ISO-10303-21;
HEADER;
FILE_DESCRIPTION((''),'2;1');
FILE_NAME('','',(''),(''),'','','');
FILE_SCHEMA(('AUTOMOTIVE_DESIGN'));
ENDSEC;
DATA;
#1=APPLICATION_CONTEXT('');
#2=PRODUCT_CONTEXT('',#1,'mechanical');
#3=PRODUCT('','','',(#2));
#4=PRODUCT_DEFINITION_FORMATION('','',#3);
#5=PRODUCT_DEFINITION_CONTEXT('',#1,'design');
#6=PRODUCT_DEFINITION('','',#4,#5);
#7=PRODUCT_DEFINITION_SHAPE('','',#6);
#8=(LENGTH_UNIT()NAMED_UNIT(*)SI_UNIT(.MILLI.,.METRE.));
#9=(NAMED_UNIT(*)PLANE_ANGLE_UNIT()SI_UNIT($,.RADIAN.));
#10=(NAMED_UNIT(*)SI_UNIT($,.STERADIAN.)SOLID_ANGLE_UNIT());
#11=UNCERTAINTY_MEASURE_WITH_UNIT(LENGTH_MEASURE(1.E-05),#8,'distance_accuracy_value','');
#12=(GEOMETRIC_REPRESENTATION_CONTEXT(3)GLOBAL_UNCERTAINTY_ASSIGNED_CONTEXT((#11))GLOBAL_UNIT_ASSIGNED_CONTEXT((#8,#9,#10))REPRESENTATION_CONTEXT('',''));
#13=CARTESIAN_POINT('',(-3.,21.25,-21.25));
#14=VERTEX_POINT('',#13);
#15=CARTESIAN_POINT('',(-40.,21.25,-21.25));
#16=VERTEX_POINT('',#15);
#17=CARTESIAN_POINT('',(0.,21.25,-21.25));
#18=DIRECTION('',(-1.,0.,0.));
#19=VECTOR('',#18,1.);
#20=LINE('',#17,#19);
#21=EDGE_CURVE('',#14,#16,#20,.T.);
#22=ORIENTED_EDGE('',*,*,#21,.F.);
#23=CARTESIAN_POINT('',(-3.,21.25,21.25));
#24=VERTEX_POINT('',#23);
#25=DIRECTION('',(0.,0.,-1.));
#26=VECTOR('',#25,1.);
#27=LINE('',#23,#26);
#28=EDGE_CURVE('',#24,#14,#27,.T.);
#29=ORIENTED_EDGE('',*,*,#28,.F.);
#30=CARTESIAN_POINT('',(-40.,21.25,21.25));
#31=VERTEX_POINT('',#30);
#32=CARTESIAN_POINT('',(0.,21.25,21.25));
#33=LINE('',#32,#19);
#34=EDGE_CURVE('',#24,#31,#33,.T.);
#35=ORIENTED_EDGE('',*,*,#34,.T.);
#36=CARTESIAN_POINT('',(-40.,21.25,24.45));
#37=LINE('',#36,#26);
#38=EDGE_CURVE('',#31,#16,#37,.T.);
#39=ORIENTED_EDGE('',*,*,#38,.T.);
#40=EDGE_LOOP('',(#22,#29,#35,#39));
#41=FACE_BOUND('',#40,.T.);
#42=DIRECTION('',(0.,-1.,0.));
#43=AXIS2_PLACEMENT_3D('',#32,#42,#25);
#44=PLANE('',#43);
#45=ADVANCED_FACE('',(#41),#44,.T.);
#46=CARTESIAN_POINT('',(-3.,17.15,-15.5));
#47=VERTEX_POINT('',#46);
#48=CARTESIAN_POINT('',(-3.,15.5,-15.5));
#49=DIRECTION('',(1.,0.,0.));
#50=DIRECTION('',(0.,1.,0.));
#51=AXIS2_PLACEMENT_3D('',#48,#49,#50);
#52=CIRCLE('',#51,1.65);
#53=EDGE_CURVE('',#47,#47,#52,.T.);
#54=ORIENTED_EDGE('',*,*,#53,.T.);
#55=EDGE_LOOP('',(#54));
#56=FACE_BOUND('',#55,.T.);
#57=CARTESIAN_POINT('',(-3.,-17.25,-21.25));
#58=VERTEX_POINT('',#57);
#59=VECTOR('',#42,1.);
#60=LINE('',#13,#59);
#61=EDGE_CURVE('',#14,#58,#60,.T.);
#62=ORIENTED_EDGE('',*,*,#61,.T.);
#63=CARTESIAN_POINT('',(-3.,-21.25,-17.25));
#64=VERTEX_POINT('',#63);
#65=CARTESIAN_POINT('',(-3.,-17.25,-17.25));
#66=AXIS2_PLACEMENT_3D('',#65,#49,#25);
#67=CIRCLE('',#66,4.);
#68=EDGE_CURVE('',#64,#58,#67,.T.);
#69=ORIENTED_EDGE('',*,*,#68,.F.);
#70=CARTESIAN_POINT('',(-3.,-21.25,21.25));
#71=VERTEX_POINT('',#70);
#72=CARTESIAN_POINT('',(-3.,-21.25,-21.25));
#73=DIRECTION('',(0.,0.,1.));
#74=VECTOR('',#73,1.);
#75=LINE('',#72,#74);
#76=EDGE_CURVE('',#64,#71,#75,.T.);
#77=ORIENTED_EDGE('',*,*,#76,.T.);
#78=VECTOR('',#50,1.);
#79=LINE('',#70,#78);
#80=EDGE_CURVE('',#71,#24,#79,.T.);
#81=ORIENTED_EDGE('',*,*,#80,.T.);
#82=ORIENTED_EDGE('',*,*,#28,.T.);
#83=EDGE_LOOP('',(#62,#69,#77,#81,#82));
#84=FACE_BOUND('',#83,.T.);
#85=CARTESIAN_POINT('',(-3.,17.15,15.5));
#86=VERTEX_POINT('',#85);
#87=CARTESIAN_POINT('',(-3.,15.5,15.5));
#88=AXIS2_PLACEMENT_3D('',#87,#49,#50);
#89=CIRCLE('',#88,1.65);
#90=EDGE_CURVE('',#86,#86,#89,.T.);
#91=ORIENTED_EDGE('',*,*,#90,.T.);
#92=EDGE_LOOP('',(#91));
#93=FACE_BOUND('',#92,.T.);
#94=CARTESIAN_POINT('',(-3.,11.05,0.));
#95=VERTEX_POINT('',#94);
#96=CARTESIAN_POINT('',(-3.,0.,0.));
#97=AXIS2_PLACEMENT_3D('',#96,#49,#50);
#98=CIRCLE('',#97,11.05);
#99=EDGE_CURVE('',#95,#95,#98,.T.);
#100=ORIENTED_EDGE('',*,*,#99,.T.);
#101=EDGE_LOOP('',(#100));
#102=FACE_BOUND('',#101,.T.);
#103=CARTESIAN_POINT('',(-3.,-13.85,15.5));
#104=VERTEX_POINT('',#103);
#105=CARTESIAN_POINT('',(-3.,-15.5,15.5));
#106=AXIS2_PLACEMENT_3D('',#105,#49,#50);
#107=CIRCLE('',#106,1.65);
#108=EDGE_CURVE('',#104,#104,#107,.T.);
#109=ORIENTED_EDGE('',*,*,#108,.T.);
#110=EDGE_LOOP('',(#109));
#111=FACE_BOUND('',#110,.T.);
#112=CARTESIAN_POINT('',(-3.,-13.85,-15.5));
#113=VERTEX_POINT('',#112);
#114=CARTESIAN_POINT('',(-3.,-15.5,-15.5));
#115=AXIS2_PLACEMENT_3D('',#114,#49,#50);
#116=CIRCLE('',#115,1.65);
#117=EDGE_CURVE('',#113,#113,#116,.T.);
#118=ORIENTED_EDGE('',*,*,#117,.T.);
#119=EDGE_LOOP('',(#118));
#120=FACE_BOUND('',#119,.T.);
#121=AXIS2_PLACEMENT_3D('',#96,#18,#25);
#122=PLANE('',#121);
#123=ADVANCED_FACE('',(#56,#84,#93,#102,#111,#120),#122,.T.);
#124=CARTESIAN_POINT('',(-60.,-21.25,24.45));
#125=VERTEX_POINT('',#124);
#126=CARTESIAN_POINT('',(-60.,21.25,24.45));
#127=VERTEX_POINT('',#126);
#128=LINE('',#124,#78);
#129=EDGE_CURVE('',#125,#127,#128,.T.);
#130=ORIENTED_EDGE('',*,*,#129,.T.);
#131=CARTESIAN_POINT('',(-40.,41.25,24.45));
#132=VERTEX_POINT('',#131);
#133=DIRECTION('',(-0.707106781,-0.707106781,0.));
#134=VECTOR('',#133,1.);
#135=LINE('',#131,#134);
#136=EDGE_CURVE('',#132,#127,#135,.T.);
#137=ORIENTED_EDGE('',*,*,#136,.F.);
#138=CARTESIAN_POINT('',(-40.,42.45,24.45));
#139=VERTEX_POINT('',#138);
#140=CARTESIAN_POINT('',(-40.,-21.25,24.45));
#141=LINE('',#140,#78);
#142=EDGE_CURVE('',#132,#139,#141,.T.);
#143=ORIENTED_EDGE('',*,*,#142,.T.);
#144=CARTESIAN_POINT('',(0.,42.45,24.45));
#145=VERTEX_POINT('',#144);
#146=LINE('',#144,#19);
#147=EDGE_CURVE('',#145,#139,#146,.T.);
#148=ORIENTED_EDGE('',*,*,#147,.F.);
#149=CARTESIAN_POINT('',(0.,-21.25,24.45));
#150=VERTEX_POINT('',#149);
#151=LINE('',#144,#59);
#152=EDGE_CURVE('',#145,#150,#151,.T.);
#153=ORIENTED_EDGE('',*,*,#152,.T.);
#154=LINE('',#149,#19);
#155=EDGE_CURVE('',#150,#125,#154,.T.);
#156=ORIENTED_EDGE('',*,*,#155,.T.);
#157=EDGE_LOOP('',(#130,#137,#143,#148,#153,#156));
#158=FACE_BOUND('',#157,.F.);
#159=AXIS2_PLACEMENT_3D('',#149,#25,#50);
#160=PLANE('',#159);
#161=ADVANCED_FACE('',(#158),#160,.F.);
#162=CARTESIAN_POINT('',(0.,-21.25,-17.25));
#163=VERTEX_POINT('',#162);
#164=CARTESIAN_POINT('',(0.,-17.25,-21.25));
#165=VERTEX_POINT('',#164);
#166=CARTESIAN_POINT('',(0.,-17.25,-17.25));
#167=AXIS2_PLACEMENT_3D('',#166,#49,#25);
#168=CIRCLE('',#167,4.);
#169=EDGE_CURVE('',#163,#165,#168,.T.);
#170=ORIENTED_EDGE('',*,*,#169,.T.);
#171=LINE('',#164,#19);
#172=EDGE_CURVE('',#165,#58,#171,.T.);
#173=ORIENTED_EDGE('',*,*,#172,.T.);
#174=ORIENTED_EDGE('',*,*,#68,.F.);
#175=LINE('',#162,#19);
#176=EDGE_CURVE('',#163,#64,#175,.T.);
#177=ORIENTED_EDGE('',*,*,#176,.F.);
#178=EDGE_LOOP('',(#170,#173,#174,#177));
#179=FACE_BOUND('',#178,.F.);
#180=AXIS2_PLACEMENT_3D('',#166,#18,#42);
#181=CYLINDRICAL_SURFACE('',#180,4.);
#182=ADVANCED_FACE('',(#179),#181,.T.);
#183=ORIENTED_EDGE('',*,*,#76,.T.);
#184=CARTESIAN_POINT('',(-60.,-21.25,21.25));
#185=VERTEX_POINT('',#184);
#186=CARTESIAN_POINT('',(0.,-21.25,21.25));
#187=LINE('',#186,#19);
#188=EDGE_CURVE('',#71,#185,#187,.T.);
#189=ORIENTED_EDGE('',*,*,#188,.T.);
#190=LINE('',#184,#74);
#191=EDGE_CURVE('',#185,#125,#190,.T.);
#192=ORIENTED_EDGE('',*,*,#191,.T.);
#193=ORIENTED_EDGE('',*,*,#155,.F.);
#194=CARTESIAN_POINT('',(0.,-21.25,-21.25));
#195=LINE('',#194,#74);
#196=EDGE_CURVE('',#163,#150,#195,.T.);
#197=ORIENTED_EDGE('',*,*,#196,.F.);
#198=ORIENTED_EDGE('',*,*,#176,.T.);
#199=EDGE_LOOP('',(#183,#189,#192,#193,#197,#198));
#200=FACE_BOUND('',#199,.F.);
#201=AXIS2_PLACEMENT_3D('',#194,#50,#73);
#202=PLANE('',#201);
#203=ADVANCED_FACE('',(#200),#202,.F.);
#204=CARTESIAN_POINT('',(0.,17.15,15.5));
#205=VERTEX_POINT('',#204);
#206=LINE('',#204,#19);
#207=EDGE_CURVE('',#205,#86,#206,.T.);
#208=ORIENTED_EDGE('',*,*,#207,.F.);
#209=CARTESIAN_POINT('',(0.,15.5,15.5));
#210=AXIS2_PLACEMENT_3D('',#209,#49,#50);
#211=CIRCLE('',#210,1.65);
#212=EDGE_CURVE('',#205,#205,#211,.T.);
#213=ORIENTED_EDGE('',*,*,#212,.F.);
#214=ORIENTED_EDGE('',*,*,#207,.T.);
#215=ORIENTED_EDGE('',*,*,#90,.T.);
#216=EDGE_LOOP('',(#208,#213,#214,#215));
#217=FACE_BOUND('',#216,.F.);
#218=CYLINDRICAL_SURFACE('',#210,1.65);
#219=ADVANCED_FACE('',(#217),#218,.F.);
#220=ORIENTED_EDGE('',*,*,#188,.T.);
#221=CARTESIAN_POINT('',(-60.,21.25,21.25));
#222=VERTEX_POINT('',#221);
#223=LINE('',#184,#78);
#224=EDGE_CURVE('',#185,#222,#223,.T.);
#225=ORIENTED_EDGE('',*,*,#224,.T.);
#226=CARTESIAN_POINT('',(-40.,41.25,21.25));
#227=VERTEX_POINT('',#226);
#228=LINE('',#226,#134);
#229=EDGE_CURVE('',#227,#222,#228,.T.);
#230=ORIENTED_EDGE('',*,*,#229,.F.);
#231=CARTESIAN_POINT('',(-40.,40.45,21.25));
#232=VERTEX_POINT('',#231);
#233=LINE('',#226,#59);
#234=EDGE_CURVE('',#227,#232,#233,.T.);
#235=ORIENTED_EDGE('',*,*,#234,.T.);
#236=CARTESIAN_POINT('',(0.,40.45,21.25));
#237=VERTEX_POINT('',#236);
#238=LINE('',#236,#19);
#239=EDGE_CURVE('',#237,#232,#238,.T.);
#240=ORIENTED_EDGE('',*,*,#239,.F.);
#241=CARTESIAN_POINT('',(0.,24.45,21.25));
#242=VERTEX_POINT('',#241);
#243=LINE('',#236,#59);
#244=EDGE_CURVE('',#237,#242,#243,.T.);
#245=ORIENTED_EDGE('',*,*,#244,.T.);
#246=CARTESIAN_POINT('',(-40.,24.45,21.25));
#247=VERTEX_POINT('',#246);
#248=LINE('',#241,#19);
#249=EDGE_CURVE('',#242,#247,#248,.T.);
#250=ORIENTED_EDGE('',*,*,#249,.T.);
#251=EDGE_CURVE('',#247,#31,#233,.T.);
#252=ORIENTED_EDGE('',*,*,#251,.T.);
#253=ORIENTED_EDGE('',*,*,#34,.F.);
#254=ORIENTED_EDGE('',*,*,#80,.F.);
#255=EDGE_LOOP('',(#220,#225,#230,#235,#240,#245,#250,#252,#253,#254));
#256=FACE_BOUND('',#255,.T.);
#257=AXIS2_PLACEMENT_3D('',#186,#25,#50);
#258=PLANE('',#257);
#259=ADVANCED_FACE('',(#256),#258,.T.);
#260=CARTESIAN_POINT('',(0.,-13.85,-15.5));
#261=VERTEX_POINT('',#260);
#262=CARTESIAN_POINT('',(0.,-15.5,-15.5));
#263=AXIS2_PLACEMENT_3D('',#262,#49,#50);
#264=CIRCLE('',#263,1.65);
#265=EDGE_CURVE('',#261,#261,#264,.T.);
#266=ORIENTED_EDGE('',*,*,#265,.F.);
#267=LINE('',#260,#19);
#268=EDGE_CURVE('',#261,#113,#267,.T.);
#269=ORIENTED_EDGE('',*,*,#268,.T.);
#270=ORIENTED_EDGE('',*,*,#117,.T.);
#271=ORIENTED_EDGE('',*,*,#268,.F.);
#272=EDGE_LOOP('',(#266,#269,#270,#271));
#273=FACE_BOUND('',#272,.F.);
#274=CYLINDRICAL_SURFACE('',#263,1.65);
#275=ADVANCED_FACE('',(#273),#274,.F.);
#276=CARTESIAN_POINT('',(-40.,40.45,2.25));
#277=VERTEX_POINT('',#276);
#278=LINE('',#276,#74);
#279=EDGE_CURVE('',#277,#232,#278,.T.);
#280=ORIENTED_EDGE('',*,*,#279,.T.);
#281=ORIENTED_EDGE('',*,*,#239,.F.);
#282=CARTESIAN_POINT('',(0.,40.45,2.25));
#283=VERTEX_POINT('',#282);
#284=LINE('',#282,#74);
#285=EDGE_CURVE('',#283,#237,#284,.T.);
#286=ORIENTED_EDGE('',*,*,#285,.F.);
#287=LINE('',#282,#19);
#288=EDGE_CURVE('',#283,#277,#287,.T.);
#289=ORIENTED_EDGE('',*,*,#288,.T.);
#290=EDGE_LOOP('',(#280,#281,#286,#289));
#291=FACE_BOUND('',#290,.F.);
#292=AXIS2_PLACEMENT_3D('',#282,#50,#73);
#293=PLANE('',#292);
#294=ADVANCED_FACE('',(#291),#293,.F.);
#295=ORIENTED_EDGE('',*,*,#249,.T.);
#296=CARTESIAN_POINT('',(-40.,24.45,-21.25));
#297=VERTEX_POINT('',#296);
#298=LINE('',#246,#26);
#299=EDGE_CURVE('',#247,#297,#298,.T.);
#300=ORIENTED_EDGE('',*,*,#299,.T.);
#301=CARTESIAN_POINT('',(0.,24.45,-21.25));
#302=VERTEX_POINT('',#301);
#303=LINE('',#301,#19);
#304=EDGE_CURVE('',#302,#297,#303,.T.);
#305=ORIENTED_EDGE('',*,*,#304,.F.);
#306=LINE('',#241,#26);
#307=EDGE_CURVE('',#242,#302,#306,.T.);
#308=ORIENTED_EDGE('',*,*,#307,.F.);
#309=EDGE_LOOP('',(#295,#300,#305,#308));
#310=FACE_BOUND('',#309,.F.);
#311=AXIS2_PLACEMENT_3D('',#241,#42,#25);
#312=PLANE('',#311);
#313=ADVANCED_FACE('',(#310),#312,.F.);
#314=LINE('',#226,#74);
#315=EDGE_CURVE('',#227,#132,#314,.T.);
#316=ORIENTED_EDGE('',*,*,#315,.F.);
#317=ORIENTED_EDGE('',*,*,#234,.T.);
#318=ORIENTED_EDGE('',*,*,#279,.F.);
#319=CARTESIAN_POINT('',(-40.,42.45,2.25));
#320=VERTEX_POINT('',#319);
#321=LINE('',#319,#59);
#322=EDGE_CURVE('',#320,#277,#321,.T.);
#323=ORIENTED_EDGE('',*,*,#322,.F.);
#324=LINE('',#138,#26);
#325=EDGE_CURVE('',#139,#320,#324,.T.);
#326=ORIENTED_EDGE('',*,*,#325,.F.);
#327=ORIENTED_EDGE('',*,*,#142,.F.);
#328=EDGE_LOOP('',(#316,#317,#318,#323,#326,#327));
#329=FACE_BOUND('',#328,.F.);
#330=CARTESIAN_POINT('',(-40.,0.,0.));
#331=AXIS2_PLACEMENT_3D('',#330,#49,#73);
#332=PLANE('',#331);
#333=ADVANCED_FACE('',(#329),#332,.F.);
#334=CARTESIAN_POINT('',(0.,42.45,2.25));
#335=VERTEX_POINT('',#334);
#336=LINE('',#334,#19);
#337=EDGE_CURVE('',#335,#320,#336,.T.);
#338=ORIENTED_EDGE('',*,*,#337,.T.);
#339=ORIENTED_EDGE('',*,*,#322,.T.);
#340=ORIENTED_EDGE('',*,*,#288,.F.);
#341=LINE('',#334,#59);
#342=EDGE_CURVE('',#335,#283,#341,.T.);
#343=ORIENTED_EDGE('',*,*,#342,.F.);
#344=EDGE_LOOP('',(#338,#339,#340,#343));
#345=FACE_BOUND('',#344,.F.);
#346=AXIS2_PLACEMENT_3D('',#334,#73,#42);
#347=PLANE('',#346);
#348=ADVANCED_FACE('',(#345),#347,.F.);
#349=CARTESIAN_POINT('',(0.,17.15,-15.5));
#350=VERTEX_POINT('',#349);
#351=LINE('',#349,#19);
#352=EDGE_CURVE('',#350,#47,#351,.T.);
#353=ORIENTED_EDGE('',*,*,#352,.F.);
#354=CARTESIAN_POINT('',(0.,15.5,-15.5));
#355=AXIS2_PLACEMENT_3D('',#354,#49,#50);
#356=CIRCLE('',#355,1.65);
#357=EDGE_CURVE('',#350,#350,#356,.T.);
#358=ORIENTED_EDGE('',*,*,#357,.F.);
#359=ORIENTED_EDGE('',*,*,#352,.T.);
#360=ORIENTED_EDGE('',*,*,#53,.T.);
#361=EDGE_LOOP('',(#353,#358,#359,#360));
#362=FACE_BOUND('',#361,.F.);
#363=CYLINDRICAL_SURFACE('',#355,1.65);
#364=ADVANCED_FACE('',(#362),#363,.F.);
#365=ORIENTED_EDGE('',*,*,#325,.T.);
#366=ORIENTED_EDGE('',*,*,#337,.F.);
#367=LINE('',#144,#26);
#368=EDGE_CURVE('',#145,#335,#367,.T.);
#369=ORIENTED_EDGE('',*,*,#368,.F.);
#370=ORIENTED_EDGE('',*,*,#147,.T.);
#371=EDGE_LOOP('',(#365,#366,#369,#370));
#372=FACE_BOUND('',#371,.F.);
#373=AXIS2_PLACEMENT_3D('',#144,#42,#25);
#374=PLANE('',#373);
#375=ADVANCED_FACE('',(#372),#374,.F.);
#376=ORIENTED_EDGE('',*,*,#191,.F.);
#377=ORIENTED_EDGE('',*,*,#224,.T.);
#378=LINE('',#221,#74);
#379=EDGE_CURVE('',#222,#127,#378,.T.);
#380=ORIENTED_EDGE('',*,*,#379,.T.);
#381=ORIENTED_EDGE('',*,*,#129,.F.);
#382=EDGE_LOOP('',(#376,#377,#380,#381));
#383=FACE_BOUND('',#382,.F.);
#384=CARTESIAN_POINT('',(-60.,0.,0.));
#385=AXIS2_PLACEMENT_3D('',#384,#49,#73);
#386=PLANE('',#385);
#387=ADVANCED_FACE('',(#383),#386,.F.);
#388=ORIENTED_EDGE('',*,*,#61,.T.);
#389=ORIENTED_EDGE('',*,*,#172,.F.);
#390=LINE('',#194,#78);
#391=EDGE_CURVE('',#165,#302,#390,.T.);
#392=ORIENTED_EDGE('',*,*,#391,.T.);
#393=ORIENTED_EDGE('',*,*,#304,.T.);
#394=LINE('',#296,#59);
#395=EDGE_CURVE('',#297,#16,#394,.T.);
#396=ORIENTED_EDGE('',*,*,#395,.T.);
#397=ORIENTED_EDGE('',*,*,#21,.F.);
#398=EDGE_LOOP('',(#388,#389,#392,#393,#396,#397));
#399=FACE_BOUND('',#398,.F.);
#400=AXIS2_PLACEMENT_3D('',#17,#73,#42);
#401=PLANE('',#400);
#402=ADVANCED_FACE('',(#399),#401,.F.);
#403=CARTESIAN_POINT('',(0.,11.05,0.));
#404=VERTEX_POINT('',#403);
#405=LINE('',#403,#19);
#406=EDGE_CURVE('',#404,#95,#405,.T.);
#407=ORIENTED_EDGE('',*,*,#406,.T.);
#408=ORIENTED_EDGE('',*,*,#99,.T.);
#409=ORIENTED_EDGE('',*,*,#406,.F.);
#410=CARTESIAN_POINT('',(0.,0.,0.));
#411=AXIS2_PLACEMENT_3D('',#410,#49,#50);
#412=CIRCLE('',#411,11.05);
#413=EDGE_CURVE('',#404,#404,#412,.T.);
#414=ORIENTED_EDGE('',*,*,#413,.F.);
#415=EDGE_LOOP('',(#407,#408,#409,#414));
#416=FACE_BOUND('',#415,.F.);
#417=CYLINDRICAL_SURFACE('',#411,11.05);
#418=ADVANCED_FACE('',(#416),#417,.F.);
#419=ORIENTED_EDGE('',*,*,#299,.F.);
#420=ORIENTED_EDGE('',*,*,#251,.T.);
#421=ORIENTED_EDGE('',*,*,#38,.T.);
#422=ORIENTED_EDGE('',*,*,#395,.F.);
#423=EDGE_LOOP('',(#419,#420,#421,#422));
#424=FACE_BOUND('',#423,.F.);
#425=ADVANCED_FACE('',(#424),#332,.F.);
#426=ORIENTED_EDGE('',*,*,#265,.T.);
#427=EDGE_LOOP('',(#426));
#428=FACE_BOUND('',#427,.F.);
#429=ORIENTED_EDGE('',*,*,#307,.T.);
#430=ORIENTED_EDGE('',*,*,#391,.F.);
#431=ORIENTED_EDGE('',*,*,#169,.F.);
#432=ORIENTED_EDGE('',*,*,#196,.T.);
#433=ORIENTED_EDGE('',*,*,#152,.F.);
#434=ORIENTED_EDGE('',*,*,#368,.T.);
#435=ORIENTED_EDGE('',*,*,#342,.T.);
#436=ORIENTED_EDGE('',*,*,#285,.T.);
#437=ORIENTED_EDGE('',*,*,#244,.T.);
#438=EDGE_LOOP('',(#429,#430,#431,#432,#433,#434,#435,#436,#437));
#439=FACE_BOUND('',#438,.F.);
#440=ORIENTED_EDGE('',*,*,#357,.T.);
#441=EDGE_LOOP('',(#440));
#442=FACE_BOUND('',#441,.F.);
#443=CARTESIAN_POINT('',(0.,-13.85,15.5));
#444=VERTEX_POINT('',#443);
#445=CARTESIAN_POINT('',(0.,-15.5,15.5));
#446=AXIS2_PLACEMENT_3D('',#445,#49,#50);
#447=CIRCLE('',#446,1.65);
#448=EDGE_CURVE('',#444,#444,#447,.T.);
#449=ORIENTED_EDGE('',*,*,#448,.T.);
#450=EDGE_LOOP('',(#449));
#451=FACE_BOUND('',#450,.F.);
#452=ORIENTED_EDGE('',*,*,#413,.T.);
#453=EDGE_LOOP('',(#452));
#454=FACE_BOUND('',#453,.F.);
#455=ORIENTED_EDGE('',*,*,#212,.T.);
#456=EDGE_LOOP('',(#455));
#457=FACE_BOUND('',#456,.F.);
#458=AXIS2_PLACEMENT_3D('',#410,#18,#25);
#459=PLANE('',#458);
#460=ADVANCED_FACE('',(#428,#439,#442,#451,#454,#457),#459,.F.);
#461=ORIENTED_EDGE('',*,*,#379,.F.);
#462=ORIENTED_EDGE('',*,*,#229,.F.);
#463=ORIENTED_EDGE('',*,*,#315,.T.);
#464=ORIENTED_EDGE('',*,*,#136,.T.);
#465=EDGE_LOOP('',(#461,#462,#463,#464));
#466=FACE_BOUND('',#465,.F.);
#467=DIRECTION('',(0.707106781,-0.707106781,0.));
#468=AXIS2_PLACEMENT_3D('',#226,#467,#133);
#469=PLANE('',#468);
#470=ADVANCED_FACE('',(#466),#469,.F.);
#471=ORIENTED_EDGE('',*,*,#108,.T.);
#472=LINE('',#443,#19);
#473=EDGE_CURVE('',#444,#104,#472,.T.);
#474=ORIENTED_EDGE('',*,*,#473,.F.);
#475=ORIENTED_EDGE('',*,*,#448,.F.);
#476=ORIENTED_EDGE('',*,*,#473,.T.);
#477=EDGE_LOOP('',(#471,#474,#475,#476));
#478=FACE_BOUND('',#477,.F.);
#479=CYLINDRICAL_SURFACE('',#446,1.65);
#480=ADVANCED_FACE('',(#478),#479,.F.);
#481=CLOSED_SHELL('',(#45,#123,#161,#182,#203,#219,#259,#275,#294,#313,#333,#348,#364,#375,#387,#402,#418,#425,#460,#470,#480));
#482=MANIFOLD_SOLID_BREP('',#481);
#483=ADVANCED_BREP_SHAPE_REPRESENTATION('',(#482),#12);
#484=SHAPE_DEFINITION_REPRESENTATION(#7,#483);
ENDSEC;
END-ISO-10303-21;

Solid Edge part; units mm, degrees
sketch "Sketch1" plane through (0, 0, 0) normal (1, 0, 0) x (0, 1, 0)
  circle A0 centre (-15.5, -15.5) radius 1.65
  circle A1 centre (0, 0) radius 11.05
  circle A2 centre (15.5, 15.5) radius 1.65
  line L0 (-21.25, 21.25) -> (21.25, 21.25)
  line L1 (21.25, 21.25) -> (21.25, -21.25)
  line L2 (21.25, -21.25) -> (-21.25, -21.25)
  line L3 (-21.25, -21.25) -> (-21.25, 21.25)
  circle A3 centre (-15.5, 15.5) radius 1.65
  circle A4 centre (15.5, -15.5) radius 1.65
  dimension "D1" = 22.1
  dimension "D2" = 42.5
  dimension "D3" = 2
  dimension "D4" = 16
  dimension "D5" = 19
  dimension "D6" = 3.2
  dimension "D7" = 3.2
  dimension "D8" = 31
  dimension "D9" = 3.3
extrude "Protrusion1" add sketch "Sketch1" against normal blind 3
sketch "Sketch2" plane through (0, 0, 0) normal (1, 0, 0) x (0, 1, 0)
  line L0 (24.45, -21.25) -> (21.25, -21.25)
  line L1 (21.25, 21.25) -> (21.25, -21.25)
  line L2 (21.25, 21.25) -> (21.25, 24.45)
  line L3 (-21.25, 24.45) -> (42.45, 24.45)
  line L4 (42.45, 24.45) -> (42.45, 2.25)
  line L5 (42.45, 2.25) -> (40.45, 2.25)
  line L6 (40.45, 2.25) -> (40.45, 21.25)
  line L7 (40.45, 21.25) -> (24.45, 21.25)
  line L8 (24.45, 21.25) -> (24.45, -21.25)
extrude "Fensterklammer" add sketch "Sketch2" against normal blind 40 material side at (0, 22.85, -21.2)
sketch "Sketch3" plane through (0, 0, 0) normal (1, 0, 0) x (0, 1, 0)
  line L0 (-21.25, 24.45) -> (42.45, 24.45)
  line L1 (21.25, 21.25) -> (21.25, 24.45)
  line L2 (-21.25, 21.25) -> (21.25, 21.25)
  line L3 (-21.25, 21.25) -> (-21.25, 24.45)
extrude "Elektonik_Halter" add sketch "Sketch3" against normal blind 60 material side at (0, 10.6, 24.4)
sketch "Sketch4" plane through (-31.5, 0, 21.25) normal (0, 0, -1) x (0, -1, 0)
  line L0 (-41.25, 8.5) -> (-21.25, 8.5)
  line L1 (-21.25, 8.5) -> (-21.25, 28.5)
  line L2 (-41.25, 8.5) -> (-21.25, 28.5)
extrude "Protrusion2" add sketch "Sketch4" against normal up to vertex (3.2 mm away)
fillet "R4" radius 4 1 edges at (-1.5, -21.25, -21.25)
